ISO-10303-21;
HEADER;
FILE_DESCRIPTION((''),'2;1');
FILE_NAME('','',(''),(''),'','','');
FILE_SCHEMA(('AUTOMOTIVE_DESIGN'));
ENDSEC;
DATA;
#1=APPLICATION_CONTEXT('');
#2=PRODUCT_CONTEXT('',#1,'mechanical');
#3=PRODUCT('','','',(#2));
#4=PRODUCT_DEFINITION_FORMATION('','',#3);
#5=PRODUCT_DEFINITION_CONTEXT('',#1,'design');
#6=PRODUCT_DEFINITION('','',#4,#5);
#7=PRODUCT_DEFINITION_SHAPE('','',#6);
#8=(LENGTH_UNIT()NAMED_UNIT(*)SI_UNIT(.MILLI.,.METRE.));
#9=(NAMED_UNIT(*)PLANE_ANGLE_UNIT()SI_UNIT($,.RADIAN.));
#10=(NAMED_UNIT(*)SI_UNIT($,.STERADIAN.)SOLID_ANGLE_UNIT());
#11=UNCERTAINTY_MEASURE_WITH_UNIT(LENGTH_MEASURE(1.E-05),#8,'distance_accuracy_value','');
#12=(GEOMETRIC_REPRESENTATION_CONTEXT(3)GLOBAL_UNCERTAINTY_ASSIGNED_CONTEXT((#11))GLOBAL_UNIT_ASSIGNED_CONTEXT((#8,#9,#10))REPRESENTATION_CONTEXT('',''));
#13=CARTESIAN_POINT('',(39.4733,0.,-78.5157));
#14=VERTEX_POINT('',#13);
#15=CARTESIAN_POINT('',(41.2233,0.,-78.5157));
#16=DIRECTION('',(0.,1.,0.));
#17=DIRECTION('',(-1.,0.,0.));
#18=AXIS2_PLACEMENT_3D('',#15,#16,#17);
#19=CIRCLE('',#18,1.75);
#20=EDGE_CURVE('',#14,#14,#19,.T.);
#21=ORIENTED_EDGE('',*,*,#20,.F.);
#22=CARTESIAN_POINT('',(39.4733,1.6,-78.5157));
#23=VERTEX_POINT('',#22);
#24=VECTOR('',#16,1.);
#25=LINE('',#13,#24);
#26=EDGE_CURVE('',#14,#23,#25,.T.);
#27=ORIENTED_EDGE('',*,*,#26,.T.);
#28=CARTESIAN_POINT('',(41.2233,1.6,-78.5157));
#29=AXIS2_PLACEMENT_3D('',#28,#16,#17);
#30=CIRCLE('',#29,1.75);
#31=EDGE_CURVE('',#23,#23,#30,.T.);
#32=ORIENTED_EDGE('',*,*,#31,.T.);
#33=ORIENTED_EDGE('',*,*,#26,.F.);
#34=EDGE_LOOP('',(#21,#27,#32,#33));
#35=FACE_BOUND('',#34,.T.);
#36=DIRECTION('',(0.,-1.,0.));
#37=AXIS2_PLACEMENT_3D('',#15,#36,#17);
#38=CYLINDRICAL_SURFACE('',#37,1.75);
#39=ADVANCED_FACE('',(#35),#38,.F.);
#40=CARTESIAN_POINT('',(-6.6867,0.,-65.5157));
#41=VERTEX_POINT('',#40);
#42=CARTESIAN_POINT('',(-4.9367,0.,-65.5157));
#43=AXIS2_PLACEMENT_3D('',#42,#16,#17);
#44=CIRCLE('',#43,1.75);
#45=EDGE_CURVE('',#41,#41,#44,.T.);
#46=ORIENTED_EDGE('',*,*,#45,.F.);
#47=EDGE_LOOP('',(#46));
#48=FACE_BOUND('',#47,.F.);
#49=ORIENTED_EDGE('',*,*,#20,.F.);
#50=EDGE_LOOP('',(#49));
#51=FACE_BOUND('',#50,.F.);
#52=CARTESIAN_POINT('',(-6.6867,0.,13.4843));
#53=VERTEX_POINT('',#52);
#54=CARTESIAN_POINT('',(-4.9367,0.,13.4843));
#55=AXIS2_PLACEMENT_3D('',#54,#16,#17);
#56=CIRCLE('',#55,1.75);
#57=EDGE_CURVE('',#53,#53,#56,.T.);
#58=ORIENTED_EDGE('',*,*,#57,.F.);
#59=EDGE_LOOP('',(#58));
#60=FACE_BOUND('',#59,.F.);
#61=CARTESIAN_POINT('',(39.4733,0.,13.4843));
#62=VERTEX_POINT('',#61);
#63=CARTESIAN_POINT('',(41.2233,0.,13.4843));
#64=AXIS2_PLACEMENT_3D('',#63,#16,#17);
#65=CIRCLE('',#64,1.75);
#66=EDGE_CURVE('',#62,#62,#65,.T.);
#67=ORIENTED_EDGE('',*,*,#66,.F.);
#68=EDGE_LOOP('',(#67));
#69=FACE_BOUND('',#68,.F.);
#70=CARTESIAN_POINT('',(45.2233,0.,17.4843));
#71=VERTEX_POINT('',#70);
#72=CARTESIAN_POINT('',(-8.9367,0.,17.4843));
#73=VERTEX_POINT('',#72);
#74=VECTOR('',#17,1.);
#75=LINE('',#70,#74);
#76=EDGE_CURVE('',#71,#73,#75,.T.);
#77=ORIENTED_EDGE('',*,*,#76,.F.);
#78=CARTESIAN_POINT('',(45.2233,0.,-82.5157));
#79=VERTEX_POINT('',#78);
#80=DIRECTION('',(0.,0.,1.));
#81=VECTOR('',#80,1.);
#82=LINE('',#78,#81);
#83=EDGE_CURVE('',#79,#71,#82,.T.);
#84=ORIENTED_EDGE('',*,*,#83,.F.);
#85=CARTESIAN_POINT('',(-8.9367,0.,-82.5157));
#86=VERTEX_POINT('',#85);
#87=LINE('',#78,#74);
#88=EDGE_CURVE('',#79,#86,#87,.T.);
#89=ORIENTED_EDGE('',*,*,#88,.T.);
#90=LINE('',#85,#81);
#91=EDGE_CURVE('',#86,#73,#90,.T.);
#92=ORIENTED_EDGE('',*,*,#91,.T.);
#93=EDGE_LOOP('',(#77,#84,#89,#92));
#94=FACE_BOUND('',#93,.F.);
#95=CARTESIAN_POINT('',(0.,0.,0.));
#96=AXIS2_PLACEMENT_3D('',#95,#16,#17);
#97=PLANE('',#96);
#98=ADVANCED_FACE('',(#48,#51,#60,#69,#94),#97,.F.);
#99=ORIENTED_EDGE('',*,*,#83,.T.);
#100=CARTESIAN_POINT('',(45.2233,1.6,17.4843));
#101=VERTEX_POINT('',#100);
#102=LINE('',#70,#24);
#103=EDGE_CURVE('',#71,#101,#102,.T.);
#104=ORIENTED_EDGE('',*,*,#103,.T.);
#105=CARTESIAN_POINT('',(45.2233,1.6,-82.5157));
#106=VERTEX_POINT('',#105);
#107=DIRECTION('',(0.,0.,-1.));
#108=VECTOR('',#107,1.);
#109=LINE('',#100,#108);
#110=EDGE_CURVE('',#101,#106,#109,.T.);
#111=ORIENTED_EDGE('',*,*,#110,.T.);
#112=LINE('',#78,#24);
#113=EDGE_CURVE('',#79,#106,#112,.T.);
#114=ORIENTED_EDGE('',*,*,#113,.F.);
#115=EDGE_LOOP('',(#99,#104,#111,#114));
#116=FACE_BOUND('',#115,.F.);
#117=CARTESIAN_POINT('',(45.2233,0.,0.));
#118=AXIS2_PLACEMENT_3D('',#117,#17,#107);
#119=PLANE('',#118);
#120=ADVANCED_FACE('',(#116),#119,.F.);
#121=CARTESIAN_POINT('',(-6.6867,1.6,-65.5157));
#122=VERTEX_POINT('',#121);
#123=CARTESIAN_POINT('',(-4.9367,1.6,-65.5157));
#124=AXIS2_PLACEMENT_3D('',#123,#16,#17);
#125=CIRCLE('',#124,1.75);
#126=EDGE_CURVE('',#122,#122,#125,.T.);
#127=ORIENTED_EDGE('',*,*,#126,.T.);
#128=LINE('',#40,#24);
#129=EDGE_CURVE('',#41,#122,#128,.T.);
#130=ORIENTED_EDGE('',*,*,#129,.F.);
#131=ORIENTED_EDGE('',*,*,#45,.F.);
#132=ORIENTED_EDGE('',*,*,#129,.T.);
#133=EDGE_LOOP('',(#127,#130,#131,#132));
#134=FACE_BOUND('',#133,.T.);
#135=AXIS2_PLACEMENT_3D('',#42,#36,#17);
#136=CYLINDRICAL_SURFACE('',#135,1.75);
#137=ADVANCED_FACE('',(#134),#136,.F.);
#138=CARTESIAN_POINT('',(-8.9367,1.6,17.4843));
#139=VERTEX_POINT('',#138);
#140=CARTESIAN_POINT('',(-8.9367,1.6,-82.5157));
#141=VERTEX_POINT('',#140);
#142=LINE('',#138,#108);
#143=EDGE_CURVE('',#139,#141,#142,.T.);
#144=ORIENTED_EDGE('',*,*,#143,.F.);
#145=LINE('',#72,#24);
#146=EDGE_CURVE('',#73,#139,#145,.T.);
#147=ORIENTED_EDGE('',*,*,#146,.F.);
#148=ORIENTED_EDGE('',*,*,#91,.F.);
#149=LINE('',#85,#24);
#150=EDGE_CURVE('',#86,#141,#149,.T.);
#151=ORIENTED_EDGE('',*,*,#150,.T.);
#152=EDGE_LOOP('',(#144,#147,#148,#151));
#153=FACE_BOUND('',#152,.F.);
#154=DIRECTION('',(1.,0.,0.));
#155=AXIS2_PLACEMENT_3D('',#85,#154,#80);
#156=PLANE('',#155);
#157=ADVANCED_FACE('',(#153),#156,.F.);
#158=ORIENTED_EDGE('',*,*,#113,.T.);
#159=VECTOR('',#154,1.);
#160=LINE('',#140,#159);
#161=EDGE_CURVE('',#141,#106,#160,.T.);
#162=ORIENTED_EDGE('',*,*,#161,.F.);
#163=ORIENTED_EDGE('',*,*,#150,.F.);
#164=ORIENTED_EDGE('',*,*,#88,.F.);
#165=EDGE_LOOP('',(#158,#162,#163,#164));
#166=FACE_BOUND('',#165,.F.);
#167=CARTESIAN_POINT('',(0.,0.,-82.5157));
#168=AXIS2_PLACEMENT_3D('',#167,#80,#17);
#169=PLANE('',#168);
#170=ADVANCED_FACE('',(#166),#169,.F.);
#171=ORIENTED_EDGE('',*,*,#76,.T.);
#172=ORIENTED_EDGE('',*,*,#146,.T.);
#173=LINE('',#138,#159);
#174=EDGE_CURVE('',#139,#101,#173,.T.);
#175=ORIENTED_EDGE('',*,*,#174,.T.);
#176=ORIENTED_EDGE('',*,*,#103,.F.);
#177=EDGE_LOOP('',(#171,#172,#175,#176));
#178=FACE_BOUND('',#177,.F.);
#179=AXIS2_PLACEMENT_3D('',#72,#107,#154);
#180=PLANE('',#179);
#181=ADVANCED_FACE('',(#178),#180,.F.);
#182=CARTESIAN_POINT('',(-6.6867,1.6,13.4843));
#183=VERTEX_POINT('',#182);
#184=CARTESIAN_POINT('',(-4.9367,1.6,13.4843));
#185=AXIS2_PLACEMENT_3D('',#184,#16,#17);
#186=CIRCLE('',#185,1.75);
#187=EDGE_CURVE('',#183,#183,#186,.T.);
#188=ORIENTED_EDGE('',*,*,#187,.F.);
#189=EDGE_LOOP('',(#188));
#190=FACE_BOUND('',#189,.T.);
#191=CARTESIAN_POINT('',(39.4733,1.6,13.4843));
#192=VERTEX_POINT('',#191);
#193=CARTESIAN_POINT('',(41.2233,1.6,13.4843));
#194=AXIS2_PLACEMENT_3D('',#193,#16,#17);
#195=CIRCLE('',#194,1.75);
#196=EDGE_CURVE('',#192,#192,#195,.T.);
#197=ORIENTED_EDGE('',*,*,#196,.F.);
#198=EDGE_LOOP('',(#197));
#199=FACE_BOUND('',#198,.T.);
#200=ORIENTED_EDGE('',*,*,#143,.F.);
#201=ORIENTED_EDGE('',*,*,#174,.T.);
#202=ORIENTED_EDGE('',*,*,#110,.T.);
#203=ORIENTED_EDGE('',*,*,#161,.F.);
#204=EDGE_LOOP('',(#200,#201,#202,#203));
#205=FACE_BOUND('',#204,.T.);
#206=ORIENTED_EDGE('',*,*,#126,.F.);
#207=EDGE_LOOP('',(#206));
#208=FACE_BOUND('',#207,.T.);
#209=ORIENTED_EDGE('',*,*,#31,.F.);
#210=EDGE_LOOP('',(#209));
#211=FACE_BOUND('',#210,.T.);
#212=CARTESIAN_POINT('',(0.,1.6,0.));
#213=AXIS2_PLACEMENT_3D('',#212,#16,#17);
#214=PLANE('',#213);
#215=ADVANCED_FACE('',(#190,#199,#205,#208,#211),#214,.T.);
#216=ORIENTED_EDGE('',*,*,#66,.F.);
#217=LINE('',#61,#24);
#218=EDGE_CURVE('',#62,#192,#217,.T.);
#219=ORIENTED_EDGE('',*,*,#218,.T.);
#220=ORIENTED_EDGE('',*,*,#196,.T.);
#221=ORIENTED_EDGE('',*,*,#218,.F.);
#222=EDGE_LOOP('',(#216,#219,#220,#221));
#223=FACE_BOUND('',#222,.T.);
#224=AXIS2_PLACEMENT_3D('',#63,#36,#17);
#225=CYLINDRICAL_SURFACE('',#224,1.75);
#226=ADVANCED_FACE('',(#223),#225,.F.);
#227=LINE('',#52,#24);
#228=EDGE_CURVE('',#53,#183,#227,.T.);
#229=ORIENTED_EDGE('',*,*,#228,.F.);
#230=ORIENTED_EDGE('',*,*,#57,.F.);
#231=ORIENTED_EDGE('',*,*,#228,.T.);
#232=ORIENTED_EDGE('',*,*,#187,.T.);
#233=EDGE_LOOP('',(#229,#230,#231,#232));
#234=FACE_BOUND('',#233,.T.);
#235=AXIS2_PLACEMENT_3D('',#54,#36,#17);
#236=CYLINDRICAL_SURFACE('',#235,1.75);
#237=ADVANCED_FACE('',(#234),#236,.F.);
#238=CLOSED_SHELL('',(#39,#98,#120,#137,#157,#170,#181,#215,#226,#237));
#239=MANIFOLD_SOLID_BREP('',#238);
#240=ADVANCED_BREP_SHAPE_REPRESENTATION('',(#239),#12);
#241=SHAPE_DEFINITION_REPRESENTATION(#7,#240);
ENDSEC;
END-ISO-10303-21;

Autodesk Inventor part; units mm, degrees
ref_plane "YZ Plane" through (0, 0, 0) normal (1, 0, 0) x (0, 1, 0)
ref_plane "XZ Plane" through (0, 0, 0) normal (0, 1, 0) x (-1, 0, 0)
ref_plane "XY Plane" through (0, 0, 0) normal (0, 0, 1) x (1, 0, 0)
sketch "Sketch1" plane through (0, 0, 0) normal (0, 1, 0) x (-1, 0, 0)
  circle A0 centre (4.9367, 13.4843) radius 1.75
  line L0 (19.7687, 0) -> (-56.0553, 0) projected
  line L1 (0, -102.5157) -> (0, 37.4843) projected
  circle A1 centre (-41.2233, 13.4843) radius 1.75
  circle A2 centre (-41.2233, -78.5157) radius 1.75
  circle A3 centre (4.9367, -65.5157) radius 1.75
  line L2 (8.9367, 17.4843) -> (-45.2233, 17.4843)
  line L3 (-45.2233, 17.4843) -> (-45.2233, -82.5157)
  line L4 (-45.2233, -82.5157) -> (8.9367, -82.5157)
  line L5 (8.9367, -82.5157) -> (8.9367, 17.4843)
  point P0 (0, 0)
  dimension "d0" = 3.5
  dimension "d3" = 46.16
  dimension "d10" = 92
  dimension "d17" = 79
  dimension "d22" = 4
  dimension "d23" = 4
  dimension "d24" = 4
  dimension "d25" = 4
  dimension "d26" = 4
extrude "Extrusion1" add sketch "Sketch1" along normal blind 1.6
properties part number "PCB"
